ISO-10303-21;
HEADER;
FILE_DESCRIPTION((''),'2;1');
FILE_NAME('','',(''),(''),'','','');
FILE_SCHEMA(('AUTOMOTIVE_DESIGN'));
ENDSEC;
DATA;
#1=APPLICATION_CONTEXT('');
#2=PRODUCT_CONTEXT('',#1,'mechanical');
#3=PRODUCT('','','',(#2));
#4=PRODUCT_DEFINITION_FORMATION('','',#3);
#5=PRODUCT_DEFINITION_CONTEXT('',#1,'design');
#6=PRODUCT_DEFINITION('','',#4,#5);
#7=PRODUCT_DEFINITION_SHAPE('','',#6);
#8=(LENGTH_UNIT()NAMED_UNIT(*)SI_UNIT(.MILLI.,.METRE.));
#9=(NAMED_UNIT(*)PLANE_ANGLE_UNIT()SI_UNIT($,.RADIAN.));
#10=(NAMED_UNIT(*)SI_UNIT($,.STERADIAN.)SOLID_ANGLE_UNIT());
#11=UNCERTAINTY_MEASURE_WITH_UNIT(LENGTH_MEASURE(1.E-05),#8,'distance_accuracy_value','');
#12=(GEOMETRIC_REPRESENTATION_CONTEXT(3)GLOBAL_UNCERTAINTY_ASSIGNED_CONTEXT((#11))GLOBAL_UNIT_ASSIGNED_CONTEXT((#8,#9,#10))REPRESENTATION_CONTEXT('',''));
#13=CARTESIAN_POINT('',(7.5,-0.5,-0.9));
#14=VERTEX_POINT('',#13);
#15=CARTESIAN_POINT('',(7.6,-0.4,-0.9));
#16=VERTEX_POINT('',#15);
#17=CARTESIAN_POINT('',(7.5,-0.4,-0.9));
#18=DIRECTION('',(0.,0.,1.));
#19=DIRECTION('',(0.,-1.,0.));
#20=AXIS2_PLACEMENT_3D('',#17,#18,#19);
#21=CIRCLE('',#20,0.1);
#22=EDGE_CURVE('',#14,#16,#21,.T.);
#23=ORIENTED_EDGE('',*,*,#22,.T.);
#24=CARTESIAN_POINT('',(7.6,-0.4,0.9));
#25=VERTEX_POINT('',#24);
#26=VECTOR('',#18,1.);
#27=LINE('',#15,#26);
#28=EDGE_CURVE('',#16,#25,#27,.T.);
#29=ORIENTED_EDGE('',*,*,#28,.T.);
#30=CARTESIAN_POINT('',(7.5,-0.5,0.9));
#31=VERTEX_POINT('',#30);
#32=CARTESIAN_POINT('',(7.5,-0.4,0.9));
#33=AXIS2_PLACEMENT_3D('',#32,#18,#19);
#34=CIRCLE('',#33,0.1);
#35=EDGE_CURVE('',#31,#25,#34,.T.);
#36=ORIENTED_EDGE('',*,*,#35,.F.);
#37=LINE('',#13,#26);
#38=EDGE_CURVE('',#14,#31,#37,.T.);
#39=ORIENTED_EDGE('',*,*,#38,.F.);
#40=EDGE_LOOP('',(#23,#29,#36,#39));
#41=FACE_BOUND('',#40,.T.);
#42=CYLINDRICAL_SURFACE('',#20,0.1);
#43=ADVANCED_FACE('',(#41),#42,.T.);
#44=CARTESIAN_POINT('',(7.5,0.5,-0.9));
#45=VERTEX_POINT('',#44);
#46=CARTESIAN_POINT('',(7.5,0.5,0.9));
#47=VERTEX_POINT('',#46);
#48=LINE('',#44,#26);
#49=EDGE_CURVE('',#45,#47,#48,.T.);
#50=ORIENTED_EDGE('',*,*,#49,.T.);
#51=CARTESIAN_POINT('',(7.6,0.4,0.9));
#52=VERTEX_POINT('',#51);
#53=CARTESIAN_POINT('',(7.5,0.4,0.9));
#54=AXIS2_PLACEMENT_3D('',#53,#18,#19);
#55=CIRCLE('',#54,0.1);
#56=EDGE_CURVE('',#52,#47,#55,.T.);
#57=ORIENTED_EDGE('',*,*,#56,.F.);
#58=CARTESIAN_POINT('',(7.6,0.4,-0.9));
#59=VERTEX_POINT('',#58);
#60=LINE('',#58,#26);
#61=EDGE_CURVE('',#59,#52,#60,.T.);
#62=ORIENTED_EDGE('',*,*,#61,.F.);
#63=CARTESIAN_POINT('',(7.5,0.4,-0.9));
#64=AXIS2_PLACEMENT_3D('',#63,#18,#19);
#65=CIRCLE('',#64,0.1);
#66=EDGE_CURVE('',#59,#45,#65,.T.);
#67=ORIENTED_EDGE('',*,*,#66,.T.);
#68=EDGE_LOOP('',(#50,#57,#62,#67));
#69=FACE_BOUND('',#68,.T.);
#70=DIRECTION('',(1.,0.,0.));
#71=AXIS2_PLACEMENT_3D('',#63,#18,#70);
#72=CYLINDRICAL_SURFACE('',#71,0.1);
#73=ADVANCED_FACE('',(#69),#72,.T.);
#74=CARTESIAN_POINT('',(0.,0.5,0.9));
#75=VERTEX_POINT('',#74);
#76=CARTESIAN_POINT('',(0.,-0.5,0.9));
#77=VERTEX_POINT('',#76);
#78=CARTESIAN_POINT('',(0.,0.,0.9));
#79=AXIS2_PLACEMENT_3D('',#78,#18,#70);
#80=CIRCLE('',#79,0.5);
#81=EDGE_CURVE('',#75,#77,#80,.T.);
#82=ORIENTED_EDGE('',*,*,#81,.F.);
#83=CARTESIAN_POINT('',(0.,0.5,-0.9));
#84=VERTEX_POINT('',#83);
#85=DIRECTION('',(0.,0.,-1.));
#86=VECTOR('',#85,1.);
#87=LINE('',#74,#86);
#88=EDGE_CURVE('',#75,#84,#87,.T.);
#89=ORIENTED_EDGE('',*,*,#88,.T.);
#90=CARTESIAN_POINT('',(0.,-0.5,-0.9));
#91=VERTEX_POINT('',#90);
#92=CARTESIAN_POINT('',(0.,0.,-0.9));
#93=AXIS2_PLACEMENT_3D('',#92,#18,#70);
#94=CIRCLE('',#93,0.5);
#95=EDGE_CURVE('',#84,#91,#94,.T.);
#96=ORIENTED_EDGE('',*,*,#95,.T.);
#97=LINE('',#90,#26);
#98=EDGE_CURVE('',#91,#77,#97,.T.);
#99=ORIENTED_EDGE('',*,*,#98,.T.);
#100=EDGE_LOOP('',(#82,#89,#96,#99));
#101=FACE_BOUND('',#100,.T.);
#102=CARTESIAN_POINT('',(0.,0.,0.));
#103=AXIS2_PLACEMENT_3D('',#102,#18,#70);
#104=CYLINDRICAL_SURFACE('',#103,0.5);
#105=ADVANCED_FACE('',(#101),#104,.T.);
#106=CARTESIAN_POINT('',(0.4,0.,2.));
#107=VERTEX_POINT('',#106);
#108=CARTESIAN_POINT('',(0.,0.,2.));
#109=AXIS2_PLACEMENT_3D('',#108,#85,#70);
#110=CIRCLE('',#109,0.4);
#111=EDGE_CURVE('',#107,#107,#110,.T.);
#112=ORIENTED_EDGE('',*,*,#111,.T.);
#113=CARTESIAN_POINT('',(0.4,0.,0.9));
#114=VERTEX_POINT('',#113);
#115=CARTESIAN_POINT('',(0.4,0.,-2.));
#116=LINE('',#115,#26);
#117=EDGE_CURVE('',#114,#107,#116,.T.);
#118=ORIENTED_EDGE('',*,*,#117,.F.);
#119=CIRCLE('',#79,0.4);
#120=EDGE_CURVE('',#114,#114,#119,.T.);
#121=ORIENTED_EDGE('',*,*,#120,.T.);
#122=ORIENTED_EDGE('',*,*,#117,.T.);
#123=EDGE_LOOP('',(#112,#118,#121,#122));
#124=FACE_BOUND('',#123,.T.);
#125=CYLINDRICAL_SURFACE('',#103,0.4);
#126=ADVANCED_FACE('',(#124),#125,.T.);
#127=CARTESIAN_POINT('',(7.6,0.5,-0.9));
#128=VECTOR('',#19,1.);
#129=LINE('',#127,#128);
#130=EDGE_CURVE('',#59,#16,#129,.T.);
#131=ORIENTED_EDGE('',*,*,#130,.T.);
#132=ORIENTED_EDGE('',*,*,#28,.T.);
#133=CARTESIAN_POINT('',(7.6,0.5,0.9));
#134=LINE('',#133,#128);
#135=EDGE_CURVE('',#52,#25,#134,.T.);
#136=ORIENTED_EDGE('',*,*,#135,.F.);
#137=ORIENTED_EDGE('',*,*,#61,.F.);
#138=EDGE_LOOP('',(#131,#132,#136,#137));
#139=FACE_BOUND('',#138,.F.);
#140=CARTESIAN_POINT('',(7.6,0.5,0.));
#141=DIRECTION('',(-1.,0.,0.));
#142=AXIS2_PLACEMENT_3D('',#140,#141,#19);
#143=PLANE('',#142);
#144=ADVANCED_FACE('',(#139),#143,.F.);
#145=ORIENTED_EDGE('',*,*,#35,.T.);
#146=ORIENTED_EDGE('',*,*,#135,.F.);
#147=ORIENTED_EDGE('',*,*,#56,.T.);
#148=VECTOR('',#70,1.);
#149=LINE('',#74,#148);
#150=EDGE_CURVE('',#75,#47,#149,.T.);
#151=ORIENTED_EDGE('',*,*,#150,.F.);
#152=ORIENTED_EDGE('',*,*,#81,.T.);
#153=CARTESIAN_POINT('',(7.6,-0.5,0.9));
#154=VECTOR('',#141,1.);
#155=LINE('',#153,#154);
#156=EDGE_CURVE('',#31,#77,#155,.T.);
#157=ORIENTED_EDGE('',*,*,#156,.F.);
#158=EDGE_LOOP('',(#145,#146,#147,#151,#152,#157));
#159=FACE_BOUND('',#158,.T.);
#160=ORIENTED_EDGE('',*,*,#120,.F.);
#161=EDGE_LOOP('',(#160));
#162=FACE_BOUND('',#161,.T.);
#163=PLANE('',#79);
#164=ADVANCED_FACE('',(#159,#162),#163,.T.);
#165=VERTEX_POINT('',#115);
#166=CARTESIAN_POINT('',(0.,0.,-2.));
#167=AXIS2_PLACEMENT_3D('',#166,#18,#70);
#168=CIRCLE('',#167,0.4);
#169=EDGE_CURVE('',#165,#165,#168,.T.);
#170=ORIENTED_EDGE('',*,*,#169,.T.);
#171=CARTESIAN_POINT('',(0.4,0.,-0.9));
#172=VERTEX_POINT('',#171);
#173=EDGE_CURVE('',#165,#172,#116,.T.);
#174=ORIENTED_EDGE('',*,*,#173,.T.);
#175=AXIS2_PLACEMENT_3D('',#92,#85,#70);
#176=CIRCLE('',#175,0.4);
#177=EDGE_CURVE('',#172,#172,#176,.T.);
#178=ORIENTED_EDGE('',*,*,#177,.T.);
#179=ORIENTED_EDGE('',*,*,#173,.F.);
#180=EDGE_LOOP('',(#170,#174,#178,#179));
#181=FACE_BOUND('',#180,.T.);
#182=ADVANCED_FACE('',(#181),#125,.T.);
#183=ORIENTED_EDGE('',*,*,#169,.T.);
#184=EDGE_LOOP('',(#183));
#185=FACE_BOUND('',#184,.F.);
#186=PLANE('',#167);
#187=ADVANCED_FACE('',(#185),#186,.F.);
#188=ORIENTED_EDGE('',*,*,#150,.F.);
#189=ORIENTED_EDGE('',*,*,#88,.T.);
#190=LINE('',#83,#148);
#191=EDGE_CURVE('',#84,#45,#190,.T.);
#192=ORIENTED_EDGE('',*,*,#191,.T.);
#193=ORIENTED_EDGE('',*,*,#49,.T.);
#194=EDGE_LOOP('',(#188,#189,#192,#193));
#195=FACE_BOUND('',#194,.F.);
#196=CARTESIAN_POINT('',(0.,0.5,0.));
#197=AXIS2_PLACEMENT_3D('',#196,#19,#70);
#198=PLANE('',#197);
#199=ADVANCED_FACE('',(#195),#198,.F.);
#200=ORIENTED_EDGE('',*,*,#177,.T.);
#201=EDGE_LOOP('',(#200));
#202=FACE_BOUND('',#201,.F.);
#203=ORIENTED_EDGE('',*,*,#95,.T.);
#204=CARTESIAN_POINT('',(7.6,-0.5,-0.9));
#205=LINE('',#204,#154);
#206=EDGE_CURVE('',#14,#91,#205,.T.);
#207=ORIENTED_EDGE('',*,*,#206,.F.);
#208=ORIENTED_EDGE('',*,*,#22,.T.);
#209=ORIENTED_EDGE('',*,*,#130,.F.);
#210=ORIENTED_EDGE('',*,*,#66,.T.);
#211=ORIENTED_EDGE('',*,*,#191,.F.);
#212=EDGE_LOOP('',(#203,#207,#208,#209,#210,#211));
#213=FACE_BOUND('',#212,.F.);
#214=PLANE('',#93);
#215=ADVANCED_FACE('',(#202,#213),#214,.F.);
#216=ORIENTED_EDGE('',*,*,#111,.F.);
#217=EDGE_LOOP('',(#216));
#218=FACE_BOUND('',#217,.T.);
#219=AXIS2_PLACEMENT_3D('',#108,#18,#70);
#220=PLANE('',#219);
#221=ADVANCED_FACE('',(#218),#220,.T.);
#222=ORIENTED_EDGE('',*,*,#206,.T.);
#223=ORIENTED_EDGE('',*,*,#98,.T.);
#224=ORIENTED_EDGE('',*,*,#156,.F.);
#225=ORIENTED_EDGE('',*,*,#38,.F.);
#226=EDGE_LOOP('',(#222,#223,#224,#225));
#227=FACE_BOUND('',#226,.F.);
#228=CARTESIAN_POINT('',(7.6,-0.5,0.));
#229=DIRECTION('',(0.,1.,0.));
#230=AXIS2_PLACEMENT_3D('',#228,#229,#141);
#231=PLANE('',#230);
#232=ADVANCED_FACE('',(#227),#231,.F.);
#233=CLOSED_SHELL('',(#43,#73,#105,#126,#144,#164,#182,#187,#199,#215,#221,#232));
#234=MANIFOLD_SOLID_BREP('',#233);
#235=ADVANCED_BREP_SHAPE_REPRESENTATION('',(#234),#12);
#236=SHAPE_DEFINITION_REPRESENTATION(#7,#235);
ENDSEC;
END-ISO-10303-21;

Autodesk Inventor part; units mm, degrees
ref_plane "YZ Plane" through (0, 0, 0) normal (1, 0, 0) x (0, 1, 0)
ref_plane "XZ Plane" through (0, 0, 0) normal (0, 1, 0) x (-1, 0, 0)
ref_plane "XY Plane" through (0, 0, 0) normal (0, 0, 1) x (1, 0, 0)
sketch "스케치1" plane through (0, 0, 0) normal (0, 0, 1) x (1, 0, 0)
  circle A0 centre (0, 0) radius 0.4
  circle A1 centre (0, 0) radius 0.5
  line L0 (0, 0.5) -> (7.6, 0.5)
  line L1 (7.6, 0.5) -> (7.6, -0.5)
  line L2 (7.6, -0.5) -> (0, -0.5)
  line L3 (0, -0.5) -> (0, 0.5)
  point P0 (0, -0.5)
  dimension "d1" = 1
  dimension "d0" = 0.8
  dimension "d2" = 1
  dimension "d7" = 7.6
extrude "돌출1" add sketch "스케치1" along normal mid plane 4 contours A0 L3 | L3 A0
extrude "돌출2" add sketch "스케치1" along normal mid plane 1.8 contours A0 L3 A1 | A0 L3 A1 | L0 L1 L2 A1
fillet "모깎기1" radius 0.1 2 edges at (7.6, 0.5, 0) (7.6, -0.5, 0)
properties part number "집게 고정"
